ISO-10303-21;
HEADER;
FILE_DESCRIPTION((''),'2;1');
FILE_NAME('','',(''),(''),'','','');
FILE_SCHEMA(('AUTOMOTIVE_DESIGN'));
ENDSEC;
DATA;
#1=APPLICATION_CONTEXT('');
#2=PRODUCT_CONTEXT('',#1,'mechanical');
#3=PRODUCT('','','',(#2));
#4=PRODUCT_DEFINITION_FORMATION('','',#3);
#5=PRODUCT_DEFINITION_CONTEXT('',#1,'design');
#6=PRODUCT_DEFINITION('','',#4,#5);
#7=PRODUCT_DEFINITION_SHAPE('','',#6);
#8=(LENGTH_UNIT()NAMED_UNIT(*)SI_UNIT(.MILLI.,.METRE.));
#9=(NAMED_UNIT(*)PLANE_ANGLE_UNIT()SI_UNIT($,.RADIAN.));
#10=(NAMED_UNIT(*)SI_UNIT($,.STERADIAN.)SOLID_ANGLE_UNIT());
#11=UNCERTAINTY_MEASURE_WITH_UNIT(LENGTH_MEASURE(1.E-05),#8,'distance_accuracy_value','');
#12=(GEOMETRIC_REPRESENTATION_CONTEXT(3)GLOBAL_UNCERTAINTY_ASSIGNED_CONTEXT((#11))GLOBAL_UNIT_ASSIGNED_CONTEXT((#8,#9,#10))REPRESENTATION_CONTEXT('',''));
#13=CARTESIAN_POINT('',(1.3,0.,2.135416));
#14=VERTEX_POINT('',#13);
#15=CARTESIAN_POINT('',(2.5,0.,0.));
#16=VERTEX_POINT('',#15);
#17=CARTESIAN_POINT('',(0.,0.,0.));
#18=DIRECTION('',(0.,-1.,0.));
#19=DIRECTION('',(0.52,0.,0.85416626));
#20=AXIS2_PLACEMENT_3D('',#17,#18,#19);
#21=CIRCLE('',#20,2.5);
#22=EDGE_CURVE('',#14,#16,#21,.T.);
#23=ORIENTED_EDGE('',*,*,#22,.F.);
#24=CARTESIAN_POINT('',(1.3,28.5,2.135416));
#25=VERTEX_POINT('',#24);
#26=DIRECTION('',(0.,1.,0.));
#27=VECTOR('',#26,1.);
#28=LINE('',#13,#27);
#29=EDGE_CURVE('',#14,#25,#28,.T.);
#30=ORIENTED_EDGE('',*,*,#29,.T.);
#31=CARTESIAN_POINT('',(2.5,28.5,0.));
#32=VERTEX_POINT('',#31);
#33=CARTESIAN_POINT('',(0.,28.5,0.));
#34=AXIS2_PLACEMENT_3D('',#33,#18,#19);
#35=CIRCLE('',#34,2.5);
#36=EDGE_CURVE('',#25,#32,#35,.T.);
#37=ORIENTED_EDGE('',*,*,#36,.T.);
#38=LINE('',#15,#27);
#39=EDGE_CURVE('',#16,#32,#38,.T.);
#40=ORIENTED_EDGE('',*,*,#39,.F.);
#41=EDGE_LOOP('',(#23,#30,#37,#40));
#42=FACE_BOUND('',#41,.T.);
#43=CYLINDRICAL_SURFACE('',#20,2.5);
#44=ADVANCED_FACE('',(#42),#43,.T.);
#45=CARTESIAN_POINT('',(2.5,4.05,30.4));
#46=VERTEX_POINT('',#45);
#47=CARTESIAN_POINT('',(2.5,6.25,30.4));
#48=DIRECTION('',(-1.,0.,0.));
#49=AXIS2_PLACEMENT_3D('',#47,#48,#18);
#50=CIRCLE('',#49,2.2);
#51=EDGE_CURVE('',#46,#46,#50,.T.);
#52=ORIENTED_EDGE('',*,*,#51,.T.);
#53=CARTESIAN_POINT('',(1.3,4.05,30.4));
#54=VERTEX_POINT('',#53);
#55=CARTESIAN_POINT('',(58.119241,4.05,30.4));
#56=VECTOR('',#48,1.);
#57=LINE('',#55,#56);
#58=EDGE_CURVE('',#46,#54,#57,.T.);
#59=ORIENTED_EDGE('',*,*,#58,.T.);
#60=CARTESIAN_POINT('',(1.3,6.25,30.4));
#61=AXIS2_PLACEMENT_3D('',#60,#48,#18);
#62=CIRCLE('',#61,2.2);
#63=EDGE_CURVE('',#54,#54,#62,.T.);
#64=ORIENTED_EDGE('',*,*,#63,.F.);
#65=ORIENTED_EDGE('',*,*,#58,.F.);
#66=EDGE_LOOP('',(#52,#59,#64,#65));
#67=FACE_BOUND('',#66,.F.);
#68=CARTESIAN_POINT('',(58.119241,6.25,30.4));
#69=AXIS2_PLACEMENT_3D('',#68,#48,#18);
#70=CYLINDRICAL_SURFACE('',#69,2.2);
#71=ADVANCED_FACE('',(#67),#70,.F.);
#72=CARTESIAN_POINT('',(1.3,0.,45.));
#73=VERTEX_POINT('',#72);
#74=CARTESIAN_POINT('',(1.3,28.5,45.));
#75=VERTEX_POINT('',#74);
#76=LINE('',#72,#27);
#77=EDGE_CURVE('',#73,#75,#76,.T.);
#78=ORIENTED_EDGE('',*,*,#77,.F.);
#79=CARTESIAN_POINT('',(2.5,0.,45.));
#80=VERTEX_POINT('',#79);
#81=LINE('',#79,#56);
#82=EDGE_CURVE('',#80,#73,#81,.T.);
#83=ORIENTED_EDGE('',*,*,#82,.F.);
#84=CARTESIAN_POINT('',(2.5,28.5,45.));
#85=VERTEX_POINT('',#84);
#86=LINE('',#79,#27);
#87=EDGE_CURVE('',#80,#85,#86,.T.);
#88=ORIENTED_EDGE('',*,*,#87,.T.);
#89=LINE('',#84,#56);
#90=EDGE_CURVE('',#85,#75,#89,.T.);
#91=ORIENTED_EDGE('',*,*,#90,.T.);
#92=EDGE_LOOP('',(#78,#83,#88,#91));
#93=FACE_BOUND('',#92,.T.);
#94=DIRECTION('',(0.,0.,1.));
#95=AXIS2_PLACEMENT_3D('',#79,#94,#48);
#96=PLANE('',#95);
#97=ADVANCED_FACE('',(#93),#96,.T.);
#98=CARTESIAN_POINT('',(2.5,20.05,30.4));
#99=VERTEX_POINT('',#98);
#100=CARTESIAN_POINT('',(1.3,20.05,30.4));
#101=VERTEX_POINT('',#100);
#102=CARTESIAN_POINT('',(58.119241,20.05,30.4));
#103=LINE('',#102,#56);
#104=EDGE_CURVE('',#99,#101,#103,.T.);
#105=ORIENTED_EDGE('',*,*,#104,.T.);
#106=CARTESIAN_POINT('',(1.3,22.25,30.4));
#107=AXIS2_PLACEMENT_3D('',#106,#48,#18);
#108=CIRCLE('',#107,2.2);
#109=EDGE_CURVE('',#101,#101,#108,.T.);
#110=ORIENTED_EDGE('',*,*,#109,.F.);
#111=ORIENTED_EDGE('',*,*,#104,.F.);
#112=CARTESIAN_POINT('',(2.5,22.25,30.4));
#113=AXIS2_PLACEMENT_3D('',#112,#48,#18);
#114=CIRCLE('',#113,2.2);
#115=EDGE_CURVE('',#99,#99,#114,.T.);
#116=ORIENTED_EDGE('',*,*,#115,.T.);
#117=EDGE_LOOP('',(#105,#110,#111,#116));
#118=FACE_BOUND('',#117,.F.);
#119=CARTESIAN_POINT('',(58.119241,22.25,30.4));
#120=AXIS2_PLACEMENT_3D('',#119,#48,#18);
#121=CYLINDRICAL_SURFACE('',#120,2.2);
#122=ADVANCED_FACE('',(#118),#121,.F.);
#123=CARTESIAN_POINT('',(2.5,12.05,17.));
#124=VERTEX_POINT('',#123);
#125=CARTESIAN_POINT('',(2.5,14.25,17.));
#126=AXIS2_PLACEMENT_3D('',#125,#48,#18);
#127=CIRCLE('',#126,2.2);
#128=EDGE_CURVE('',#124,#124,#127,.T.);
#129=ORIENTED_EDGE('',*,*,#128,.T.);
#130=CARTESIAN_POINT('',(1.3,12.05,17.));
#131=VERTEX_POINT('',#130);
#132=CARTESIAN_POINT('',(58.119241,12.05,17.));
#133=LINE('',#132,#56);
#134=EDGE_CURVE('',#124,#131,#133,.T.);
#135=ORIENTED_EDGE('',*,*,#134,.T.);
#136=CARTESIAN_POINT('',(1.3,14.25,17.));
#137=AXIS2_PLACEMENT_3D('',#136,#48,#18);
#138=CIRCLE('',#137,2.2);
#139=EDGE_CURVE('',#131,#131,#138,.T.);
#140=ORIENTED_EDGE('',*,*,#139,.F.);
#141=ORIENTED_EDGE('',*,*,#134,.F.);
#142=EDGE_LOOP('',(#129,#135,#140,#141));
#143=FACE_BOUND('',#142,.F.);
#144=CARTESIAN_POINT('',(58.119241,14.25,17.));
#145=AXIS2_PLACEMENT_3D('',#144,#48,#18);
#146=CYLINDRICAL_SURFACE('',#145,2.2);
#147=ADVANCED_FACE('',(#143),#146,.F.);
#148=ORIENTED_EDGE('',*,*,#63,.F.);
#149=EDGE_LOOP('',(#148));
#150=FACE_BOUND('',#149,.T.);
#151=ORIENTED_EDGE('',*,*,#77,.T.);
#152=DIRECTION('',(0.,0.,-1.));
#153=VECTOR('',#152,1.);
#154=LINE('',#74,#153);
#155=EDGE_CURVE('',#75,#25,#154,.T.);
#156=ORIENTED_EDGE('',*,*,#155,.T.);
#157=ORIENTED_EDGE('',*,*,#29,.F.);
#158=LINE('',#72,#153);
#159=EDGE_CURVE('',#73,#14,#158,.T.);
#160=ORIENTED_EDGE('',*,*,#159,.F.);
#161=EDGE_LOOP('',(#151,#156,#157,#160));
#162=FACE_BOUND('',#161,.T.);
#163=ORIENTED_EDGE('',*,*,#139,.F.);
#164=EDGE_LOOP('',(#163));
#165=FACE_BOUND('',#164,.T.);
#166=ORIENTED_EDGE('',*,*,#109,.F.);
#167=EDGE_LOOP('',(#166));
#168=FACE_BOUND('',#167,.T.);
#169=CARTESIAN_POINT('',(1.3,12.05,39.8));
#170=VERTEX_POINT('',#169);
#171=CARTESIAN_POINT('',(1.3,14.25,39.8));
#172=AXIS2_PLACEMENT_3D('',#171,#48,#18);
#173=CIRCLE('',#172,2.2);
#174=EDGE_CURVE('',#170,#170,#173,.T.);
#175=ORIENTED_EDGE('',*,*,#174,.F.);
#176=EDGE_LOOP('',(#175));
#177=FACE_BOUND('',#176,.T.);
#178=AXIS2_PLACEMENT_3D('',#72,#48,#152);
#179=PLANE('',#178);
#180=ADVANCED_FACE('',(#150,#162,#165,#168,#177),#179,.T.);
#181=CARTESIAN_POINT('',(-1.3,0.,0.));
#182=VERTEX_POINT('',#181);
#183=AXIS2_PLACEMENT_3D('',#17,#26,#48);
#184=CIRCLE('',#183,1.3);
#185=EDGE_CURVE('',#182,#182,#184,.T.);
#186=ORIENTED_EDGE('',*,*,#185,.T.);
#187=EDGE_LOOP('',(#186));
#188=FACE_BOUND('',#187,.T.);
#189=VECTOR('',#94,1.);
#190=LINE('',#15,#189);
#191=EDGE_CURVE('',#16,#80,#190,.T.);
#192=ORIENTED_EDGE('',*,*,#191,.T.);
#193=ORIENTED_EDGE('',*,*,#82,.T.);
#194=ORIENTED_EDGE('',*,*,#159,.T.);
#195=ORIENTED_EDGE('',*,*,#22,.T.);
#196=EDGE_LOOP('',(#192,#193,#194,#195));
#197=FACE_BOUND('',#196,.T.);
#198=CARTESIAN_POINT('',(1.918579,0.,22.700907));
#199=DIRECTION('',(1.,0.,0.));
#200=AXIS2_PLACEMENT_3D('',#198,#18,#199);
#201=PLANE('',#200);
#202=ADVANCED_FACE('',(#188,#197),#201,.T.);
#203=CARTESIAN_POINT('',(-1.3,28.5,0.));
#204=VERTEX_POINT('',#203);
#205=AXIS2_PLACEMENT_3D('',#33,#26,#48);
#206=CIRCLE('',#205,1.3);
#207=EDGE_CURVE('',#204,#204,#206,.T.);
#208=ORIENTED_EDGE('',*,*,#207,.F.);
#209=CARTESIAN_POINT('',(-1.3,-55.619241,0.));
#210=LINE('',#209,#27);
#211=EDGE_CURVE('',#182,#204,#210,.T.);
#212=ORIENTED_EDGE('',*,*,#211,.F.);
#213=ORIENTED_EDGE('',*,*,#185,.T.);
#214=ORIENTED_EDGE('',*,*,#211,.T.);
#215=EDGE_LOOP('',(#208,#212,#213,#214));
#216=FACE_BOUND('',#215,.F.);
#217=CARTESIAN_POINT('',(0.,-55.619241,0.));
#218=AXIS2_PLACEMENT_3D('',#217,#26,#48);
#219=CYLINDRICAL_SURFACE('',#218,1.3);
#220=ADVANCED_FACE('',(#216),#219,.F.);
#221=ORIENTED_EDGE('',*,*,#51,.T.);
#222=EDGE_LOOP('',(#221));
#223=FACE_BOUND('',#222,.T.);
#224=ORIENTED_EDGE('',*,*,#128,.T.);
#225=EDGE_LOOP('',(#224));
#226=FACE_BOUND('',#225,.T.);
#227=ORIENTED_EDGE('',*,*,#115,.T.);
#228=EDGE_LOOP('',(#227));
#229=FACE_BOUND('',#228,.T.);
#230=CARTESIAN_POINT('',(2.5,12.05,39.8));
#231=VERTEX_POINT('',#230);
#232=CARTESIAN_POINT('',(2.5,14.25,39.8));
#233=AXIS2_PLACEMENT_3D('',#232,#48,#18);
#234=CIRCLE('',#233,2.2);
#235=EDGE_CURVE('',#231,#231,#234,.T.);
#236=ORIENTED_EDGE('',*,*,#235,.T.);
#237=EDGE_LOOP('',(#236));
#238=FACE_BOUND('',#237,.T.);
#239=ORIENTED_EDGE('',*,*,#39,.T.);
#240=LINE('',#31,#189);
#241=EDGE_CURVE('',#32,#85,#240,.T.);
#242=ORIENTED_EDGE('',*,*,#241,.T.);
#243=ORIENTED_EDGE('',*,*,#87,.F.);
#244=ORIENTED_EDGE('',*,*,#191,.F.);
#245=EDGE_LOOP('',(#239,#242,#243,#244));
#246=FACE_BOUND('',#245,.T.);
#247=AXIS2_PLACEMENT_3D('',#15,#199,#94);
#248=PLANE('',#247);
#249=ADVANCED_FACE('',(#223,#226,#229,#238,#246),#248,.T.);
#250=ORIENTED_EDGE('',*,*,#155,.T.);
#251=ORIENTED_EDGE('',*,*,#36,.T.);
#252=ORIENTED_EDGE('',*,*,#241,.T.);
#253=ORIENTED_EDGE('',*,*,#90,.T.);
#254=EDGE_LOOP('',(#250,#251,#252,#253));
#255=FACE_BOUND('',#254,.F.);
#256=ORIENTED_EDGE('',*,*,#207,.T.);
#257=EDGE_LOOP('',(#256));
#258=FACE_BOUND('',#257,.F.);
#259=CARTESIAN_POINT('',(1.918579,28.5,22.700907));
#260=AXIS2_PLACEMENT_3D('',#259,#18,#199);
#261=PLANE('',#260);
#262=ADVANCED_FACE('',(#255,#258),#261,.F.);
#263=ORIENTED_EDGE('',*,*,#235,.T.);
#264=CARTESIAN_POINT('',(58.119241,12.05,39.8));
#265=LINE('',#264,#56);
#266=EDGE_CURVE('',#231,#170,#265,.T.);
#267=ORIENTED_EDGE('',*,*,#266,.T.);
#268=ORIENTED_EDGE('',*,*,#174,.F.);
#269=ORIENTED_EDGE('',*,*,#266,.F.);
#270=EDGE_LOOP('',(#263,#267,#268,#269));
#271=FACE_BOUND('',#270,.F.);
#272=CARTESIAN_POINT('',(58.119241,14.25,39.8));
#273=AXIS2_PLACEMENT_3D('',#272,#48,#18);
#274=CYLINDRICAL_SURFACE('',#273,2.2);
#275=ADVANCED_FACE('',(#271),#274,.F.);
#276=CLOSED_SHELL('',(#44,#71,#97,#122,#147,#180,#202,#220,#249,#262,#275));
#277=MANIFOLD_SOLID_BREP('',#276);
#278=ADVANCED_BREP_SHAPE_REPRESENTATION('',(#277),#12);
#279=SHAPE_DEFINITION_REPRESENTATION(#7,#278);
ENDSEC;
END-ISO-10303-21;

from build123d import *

# Parameters (mm, degrees)
F1_DEPTH = 28.5
F2_D     = 2.6
F4_D     = 4.4


with BuildPart() as f1:
    # F0 (on Front) → F1 (new body)
    with BuildSketch(Plane.XZ):
        with BuildLine():
            ThreePointArc((1.3, 2.1354156504), (2.1794494718, 1.2247448714), (2.5, 0))
            Line((2.5, 0), (2.5, 45))
            Line((2.5, 45), (1.3, 45))
            Line((1.3, 45), (1.3, 2.1354156504))
        make_face()
        with BuildLine():
            ThreePointArc((1.3, 2.1354156504), (-2.1794494718, -1.2247448714), (2.5, 0))
            ThreePointArc((2.5, 0), (2.1794494718, 1.2247448714), (1.3, 2.1354156504))
        make_face()
    extrude(amount=-F1_DEPTH)

    # F2 (through all)
    with Locations(Plane.XZ):
        with Locations((0, 0)):
            Hole(F2_D / 2)

    # F4 (through all)
    with Locations(Plane.YZ.offset(2.5)):
        with Locations((14.25, 39.8), (22.25, 30.4), (6.25, 30.4), (14.25, 17)):
            Hole(F4_D / 2)


solid = f1.part
